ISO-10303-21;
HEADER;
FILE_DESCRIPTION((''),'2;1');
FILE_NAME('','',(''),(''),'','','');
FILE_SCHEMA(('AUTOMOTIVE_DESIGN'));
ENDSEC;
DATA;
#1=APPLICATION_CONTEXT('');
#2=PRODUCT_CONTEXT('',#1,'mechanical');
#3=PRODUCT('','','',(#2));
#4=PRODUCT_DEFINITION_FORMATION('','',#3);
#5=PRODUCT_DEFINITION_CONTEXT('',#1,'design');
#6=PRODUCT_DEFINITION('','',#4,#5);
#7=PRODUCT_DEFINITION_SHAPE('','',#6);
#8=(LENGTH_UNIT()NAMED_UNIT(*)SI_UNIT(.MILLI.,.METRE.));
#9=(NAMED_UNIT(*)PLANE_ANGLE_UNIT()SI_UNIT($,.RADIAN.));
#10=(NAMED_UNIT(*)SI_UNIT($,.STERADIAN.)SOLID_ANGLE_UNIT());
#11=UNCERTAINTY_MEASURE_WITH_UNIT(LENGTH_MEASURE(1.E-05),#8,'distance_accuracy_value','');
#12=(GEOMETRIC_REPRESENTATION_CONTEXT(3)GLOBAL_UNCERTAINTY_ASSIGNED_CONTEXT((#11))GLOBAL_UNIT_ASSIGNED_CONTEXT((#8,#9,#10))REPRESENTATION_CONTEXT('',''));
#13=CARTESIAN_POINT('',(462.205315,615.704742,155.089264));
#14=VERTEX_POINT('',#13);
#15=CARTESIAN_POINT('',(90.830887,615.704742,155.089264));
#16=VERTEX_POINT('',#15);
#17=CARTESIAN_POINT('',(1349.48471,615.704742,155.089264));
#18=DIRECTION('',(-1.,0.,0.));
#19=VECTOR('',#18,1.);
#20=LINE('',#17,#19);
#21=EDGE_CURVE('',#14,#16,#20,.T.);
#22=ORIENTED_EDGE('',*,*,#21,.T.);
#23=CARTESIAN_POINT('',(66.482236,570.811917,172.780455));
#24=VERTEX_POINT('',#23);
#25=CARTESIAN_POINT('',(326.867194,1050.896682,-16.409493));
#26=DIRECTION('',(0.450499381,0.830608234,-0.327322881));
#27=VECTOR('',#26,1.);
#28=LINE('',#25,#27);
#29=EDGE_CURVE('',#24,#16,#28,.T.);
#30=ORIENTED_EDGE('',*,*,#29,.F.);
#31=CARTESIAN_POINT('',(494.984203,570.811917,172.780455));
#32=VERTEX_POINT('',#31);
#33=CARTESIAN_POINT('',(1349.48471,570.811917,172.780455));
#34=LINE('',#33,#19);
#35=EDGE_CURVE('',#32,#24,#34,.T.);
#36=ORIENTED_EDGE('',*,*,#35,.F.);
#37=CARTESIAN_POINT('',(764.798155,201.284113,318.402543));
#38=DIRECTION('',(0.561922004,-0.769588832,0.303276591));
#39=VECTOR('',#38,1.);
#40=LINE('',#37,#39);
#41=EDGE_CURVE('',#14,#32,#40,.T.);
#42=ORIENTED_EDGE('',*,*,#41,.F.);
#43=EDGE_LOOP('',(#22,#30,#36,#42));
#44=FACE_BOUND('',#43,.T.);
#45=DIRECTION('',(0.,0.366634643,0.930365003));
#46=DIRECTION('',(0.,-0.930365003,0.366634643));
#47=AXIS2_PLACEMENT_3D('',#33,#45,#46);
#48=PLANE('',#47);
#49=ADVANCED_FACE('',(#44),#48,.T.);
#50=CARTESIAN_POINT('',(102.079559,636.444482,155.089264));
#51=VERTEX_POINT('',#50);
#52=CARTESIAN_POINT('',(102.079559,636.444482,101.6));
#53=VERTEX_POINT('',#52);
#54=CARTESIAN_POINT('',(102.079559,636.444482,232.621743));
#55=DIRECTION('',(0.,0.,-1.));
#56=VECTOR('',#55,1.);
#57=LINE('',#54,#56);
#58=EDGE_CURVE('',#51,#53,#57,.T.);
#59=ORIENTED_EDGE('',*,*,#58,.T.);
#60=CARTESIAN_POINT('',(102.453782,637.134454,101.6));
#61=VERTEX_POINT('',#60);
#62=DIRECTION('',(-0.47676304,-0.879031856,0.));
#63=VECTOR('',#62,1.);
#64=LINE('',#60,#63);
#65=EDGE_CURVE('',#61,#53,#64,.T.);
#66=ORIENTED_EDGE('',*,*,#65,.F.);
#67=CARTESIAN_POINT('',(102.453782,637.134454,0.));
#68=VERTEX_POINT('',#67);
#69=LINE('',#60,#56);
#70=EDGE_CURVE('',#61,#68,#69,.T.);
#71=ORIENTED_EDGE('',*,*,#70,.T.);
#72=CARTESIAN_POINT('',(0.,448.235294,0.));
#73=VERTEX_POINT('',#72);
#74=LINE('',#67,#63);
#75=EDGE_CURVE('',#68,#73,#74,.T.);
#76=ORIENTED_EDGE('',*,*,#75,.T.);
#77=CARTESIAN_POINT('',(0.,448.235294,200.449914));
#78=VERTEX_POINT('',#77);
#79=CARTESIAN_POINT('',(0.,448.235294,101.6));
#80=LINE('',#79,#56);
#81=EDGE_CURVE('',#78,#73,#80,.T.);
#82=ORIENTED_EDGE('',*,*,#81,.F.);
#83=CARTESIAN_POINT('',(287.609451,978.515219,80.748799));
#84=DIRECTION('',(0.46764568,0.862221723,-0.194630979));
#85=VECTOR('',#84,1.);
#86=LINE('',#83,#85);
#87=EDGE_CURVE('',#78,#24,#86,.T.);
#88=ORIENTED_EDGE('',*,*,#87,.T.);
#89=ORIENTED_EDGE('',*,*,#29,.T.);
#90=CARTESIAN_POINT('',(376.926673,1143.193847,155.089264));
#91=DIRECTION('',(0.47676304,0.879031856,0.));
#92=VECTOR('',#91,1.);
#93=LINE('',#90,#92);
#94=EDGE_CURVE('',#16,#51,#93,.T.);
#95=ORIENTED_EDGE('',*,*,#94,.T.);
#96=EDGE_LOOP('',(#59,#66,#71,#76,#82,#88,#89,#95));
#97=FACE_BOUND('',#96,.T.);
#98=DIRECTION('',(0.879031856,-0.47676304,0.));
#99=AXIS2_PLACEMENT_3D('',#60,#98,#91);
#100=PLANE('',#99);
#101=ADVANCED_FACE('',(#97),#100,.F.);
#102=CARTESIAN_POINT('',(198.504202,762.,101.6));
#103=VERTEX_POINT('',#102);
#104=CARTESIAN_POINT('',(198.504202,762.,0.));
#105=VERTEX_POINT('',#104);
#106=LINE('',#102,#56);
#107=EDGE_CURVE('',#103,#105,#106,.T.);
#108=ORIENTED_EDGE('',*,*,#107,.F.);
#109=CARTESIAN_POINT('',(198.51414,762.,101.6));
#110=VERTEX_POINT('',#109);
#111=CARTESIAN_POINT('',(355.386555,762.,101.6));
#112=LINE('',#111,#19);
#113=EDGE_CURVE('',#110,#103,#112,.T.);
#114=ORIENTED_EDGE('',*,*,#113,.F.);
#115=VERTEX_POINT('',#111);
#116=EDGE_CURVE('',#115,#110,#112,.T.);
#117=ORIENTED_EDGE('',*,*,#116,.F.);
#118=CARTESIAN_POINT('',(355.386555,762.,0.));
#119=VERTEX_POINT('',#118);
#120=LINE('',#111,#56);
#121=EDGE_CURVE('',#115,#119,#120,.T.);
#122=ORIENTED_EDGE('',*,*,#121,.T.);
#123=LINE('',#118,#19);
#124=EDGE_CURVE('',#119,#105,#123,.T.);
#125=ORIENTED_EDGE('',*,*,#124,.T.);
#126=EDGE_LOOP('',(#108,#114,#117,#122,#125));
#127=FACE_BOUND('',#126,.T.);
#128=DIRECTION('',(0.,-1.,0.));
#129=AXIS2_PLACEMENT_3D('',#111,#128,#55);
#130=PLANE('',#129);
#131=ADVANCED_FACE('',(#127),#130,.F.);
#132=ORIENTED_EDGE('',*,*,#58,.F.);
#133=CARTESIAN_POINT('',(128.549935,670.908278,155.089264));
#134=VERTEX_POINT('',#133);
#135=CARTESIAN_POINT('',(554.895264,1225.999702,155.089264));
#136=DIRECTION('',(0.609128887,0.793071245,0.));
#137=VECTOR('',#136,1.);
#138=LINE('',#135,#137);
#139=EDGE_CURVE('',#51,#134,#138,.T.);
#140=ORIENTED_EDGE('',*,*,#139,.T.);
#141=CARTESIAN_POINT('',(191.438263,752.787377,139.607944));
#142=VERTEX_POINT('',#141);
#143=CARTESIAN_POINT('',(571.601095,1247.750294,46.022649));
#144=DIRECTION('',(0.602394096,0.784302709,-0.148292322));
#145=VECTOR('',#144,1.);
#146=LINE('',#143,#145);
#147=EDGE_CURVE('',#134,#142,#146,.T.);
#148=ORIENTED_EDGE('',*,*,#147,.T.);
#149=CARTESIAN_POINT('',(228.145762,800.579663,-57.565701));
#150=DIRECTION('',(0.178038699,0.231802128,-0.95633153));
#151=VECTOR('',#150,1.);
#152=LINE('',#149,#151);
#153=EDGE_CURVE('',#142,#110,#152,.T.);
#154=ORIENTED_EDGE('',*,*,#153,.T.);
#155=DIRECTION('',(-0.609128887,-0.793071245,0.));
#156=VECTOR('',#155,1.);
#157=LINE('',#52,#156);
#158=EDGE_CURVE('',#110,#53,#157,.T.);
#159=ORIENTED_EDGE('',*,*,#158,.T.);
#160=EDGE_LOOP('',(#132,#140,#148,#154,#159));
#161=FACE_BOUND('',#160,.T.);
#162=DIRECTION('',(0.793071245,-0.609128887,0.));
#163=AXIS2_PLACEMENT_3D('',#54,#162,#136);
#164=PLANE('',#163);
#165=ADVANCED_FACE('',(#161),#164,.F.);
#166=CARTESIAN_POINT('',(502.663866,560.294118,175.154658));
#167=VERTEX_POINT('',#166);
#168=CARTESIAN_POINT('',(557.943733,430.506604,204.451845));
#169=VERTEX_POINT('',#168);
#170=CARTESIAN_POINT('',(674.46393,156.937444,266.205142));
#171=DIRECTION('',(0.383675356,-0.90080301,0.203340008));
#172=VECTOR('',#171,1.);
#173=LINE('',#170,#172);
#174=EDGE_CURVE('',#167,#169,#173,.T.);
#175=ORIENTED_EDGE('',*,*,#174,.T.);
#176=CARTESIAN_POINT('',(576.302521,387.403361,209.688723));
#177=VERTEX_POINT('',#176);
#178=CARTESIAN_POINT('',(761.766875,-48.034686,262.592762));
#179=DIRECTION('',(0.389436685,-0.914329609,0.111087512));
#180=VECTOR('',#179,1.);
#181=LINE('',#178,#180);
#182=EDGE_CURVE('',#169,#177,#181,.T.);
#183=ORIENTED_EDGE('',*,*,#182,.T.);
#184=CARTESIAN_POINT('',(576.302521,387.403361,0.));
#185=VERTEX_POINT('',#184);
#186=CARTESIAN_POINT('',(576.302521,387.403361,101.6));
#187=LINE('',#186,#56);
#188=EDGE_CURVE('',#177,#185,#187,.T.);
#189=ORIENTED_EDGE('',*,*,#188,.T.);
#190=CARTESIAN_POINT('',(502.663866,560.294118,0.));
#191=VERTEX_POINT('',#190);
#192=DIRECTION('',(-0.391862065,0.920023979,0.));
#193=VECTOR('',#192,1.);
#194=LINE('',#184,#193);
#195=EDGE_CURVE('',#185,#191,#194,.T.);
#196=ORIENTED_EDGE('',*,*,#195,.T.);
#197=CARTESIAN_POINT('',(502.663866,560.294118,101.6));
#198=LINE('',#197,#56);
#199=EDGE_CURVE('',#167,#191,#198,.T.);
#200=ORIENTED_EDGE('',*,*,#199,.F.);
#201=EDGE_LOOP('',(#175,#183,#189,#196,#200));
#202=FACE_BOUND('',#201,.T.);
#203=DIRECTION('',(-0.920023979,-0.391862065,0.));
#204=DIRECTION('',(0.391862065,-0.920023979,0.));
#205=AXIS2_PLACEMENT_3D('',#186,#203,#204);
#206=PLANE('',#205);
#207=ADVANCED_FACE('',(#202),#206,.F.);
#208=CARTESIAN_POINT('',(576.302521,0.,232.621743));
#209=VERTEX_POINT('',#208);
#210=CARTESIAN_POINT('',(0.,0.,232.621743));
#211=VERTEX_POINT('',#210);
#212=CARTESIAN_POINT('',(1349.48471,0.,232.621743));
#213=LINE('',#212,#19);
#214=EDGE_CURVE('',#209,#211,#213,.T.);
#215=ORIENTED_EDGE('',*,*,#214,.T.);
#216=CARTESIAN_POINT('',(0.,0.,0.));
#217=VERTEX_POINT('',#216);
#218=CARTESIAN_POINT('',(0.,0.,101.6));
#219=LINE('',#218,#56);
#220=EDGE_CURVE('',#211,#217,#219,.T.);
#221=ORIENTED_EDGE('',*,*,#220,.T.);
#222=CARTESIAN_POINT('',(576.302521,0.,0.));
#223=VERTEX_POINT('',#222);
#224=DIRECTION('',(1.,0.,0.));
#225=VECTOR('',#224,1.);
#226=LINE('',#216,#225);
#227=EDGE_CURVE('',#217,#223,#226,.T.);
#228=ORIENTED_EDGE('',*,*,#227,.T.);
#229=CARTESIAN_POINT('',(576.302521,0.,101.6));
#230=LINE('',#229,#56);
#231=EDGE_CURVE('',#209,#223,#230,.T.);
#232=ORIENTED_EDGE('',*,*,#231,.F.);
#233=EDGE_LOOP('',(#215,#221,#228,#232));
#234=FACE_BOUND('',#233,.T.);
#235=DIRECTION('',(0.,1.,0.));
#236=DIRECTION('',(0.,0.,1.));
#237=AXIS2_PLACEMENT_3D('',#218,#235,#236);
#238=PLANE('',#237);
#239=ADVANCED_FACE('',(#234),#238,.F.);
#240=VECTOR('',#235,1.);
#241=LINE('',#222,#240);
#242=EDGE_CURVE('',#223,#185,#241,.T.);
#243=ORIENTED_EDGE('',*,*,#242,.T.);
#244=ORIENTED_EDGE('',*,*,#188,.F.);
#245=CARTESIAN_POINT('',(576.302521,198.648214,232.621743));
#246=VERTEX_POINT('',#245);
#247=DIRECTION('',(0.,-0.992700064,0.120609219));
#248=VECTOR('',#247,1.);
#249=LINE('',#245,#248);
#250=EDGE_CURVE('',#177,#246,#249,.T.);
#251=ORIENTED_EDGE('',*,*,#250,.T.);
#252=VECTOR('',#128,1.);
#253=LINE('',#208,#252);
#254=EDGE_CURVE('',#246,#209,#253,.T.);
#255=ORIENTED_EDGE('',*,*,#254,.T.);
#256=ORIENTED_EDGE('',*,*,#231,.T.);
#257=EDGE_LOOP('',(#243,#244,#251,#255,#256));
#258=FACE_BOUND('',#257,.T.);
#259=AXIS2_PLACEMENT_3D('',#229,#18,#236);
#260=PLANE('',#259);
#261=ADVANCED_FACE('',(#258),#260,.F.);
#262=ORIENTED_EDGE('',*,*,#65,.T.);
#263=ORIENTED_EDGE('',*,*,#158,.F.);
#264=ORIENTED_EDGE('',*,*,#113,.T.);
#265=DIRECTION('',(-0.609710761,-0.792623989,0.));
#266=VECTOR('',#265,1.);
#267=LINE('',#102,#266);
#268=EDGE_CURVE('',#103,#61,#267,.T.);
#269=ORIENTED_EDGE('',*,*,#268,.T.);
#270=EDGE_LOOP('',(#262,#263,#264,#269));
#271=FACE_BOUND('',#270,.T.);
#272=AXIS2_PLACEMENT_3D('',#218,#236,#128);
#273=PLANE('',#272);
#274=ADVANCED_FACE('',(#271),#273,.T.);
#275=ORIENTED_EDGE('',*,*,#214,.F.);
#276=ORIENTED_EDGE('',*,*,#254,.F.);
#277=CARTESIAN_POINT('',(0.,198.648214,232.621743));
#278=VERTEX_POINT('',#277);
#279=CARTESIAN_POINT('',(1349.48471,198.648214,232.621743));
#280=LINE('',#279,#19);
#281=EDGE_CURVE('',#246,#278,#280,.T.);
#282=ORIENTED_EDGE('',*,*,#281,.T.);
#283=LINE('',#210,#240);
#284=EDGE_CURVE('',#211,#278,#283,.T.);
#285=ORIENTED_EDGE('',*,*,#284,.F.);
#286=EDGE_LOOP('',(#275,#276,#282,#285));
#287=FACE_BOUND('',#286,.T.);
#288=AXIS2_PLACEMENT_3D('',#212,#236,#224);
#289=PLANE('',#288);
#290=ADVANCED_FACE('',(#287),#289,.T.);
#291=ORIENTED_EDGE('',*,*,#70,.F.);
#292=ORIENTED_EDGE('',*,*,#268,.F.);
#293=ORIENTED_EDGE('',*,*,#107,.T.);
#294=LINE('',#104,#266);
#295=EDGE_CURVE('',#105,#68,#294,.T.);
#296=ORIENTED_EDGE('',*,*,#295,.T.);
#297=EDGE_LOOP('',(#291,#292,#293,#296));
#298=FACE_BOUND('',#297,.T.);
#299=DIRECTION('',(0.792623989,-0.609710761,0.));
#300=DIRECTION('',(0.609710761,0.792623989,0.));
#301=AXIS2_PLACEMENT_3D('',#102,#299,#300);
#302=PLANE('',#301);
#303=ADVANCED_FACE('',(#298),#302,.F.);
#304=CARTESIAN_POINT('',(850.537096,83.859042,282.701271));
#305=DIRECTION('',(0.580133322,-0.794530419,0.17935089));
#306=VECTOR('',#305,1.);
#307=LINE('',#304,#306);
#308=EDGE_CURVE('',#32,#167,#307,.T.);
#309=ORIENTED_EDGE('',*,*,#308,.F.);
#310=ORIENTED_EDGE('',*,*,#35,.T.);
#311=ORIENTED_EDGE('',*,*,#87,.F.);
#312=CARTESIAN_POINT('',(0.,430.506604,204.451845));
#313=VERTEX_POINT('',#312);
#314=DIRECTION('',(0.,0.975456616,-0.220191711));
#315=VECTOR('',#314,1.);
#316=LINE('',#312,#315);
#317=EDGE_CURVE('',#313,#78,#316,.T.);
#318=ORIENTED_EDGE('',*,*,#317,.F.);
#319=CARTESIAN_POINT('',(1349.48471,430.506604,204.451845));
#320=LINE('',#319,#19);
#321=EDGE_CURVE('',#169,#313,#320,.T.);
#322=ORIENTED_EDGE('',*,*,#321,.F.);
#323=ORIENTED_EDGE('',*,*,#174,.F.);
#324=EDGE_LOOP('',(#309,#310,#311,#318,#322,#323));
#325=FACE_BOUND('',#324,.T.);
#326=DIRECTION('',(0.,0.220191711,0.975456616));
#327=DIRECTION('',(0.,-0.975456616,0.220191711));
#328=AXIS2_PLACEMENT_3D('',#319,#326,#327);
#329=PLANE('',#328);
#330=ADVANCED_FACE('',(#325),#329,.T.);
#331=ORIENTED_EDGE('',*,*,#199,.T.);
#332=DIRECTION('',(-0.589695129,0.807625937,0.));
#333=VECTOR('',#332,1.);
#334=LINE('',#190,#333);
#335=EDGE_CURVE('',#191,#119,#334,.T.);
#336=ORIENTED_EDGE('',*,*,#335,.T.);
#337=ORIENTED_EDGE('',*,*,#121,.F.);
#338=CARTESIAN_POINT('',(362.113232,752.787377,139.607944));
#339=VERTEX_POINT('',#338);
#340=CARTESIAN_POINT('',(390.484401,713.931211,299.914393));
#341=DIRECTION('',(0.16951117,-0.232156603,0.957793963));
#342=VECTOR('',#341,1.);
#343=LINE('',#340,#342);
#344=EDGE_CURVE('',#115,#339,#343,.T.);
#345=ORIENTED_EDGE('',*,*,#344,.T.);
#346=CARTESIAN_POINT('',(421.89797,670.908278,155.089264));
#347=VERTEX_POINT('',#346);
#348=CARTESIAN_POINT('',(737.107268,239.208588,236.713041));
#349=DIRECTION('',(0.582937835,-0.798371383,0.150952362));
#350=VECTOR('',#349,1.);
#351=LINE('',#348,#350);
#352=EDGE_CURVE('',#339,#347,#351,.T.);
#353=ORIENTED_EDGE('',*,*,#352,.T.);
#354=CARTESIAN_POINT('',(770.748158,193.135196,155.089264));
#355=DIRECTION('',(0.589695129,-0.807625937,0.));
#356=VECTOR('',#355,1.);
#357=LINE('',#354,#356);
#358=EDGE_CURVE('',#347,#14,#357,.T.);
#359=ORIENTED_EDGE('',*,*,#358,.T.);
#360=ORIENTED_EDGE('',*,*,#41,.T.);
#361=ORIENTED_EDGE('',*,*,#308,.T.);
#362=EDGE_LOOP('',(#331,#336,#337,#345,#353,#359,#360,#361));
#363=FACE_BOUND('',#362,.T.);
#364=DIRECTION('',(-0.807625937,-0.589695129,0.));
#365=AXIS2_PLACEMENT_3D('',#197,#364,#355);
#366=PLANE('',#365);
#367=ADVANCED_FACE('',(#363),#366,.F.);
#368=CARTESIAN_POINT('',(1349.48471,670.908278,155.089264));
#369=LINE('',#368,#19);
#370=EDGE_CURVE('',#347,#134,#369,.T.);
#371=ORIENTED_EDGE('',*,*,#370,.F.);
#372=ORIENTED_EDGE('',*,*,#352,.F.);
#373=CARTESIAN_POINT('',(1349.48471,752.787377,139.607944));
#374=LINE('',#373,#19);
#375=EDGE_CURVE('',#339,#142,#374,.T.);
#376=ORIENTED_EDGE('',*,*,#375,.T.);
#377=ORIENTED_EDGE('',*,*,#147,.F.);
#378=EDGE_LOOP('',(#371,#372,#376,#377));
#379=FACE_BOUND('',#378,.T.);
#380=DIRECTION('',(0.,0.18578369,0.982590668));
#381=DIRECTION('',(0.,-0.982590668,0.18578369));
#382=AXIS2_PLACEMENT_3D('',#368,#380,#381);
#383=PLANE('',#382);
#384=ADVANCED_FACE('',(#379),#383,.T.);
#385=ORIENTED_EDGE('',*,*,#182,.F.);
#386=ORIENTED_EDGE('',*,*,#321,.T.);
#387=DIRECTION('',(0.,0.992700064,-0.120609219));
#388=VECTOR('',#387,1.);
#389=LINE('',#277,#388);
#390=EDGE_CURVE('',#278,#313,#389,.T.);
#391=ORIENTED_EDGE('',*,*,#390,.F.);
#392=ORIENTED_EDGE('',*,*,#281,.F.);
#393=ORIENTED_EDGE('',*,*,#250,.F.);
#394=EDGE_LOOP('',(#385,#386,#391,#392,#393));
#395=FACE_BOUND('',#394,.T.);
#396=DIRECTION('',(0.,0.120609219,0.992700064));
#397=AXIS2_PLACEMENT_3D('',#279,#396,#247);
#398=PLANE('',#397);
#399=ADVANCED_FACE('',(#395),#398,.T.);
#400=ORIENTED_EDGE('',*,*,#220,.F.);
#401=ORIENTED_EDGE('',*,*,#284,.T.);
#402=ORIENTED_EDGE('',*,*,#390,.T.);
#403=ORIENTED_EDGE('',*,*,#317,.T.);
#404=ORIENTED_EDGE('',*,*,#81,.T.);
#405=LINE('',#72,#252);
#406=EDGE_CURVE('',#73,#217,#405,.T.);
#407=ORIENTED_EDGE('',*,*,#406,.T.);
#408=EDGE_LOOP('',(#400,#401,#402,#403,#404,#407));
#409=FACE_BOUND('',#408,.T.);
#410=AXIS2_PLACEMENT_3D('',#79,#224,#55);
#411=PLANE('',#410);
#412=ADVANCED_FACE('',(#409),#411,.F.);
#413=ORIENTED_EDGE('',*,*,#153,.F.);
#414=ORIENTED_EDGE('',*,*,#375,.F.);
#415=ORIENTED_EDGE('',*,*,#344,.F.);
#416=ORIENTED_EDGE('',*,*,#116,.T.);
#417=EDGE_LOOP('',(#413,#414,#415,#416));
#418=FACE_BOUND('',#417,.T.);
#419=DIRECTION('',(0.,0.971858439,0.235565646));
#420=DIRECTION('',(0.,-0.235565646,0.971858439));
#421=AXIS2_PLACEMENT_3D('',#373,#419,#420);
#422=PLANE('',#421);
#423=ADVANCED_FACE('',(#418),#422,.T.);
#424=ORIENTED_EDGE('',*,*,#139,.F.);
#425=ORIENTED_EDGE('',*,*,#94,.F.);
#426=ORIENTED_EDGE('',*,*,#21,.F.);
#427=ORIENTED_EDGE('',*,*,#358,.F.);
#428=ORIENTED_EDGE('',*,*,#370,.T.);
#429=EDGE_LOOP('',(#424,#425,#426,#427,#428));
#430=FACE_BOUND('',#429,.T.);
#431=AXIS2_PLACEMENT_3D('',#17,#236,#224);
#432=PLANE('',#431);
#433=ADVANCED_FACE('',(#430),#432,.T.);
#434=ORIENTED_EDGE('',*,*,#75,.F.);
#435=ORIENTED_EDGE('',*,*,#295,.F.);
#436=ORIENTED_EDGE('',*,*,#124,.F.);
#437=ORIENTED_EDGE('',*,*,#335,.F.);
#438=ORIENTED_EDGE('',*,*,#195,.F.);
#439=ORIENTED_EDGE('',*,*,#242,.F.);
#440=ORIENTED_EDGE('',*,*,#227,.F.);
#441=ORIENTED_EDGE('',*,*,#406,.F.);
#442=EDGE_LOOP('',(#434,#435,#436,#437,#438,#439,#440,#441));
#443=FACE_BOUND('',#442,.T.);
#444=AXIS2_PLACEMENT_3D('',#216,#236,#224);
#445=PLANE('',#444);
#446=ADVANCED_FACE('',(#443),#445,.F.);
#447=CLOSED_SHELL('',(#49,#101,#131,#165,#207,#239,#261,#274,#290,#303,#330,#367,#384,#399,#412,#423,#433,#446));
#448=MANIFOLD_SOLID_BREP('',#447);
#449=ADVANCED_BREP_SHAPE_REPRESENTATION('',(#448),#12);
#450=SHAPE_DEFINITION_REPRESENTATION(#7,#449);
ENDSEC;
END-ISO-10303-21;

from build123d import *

# Parameters (mm, degrees)
BOSS_EXTRUDE1_DEPTH = 101.6
BOSS_EXTRUDE2_DEPTH = 576.302521
CUT_EXTRUDE1_DEPTH  = 132.021743181
CUT_EXTRUDE2_DEPTH  = 132.021743181


with BuildPart() as part:
    # Sketch1 → Boss-Extrude1 (new body)
    with BuildSketch(Plane.XY):
        Polygon((0, 0), (576.302521008, 0), (576.302521008, 387.403361345), (502.663865546, 560.294117647), (355.386554622, 762), (198.504201681, 762), (102.453781513, 637.134453782), (0, 448.235294118), align=None)
    extrude(amount=BOSS_EXTRUDE1_DEPTH)

    # Sketch2 → Boss-Extrude2 (add)
    with BuildSketch(Plane.ZY):
        Polygon((101.6, 0), (232.621743181, 0), (232.621743181, 198.64821401), (204.451845393, 430.506603568), (172.780455352, 570.81191653), (155.089264466, 615.704741573), (155.089264466, 670.908278379), (139.607943989, 752.787376516), (101.6, 762), align=None)
    extrude(amount=-BOSS_EXTRUDE2_DEPTH)

    # Sketch3 → Cut-Extrude1 (cut, through all)
    with BuildSketch(Plane(origin=(0, 0, 101.6), x_dir=(-1, 0, 0), z_dir=(0, 0, -1))):
        Polygon((0, 448.235294118), (-102.079559314, 636.444481603), (-205.052343037, 770.512583763), (-205.052343037, 987.342816442), (227.879484492, 941.92173413), (179.71587047, 482.849418415), align=None)
    extrude(amount=-CUT_EXTRUDE1_DEPTH, mode=Mode.SUBTRACT)

    # Sketch4 → Cut-Extrude2 (cut, through all)
    with BuildSketch(Plane(origin=(0, 0, 101.6), x_dir=(-1, 0, 0), z_dir=(0, 0, -1))):
        Polygon((-576.302521008, 387.403361345), (-502.663865546, 560.294117647), (-355.386554622, 762), (-386.647779508, 961.526140846), (-935.090979015, 961.526140846), (-884.913915701, 472.949119069), align=None)
    extrude(amount=-CUT_EXTRUDE2_DEPTH, mode=Mode.SUBTRACT)


solid = part.part
